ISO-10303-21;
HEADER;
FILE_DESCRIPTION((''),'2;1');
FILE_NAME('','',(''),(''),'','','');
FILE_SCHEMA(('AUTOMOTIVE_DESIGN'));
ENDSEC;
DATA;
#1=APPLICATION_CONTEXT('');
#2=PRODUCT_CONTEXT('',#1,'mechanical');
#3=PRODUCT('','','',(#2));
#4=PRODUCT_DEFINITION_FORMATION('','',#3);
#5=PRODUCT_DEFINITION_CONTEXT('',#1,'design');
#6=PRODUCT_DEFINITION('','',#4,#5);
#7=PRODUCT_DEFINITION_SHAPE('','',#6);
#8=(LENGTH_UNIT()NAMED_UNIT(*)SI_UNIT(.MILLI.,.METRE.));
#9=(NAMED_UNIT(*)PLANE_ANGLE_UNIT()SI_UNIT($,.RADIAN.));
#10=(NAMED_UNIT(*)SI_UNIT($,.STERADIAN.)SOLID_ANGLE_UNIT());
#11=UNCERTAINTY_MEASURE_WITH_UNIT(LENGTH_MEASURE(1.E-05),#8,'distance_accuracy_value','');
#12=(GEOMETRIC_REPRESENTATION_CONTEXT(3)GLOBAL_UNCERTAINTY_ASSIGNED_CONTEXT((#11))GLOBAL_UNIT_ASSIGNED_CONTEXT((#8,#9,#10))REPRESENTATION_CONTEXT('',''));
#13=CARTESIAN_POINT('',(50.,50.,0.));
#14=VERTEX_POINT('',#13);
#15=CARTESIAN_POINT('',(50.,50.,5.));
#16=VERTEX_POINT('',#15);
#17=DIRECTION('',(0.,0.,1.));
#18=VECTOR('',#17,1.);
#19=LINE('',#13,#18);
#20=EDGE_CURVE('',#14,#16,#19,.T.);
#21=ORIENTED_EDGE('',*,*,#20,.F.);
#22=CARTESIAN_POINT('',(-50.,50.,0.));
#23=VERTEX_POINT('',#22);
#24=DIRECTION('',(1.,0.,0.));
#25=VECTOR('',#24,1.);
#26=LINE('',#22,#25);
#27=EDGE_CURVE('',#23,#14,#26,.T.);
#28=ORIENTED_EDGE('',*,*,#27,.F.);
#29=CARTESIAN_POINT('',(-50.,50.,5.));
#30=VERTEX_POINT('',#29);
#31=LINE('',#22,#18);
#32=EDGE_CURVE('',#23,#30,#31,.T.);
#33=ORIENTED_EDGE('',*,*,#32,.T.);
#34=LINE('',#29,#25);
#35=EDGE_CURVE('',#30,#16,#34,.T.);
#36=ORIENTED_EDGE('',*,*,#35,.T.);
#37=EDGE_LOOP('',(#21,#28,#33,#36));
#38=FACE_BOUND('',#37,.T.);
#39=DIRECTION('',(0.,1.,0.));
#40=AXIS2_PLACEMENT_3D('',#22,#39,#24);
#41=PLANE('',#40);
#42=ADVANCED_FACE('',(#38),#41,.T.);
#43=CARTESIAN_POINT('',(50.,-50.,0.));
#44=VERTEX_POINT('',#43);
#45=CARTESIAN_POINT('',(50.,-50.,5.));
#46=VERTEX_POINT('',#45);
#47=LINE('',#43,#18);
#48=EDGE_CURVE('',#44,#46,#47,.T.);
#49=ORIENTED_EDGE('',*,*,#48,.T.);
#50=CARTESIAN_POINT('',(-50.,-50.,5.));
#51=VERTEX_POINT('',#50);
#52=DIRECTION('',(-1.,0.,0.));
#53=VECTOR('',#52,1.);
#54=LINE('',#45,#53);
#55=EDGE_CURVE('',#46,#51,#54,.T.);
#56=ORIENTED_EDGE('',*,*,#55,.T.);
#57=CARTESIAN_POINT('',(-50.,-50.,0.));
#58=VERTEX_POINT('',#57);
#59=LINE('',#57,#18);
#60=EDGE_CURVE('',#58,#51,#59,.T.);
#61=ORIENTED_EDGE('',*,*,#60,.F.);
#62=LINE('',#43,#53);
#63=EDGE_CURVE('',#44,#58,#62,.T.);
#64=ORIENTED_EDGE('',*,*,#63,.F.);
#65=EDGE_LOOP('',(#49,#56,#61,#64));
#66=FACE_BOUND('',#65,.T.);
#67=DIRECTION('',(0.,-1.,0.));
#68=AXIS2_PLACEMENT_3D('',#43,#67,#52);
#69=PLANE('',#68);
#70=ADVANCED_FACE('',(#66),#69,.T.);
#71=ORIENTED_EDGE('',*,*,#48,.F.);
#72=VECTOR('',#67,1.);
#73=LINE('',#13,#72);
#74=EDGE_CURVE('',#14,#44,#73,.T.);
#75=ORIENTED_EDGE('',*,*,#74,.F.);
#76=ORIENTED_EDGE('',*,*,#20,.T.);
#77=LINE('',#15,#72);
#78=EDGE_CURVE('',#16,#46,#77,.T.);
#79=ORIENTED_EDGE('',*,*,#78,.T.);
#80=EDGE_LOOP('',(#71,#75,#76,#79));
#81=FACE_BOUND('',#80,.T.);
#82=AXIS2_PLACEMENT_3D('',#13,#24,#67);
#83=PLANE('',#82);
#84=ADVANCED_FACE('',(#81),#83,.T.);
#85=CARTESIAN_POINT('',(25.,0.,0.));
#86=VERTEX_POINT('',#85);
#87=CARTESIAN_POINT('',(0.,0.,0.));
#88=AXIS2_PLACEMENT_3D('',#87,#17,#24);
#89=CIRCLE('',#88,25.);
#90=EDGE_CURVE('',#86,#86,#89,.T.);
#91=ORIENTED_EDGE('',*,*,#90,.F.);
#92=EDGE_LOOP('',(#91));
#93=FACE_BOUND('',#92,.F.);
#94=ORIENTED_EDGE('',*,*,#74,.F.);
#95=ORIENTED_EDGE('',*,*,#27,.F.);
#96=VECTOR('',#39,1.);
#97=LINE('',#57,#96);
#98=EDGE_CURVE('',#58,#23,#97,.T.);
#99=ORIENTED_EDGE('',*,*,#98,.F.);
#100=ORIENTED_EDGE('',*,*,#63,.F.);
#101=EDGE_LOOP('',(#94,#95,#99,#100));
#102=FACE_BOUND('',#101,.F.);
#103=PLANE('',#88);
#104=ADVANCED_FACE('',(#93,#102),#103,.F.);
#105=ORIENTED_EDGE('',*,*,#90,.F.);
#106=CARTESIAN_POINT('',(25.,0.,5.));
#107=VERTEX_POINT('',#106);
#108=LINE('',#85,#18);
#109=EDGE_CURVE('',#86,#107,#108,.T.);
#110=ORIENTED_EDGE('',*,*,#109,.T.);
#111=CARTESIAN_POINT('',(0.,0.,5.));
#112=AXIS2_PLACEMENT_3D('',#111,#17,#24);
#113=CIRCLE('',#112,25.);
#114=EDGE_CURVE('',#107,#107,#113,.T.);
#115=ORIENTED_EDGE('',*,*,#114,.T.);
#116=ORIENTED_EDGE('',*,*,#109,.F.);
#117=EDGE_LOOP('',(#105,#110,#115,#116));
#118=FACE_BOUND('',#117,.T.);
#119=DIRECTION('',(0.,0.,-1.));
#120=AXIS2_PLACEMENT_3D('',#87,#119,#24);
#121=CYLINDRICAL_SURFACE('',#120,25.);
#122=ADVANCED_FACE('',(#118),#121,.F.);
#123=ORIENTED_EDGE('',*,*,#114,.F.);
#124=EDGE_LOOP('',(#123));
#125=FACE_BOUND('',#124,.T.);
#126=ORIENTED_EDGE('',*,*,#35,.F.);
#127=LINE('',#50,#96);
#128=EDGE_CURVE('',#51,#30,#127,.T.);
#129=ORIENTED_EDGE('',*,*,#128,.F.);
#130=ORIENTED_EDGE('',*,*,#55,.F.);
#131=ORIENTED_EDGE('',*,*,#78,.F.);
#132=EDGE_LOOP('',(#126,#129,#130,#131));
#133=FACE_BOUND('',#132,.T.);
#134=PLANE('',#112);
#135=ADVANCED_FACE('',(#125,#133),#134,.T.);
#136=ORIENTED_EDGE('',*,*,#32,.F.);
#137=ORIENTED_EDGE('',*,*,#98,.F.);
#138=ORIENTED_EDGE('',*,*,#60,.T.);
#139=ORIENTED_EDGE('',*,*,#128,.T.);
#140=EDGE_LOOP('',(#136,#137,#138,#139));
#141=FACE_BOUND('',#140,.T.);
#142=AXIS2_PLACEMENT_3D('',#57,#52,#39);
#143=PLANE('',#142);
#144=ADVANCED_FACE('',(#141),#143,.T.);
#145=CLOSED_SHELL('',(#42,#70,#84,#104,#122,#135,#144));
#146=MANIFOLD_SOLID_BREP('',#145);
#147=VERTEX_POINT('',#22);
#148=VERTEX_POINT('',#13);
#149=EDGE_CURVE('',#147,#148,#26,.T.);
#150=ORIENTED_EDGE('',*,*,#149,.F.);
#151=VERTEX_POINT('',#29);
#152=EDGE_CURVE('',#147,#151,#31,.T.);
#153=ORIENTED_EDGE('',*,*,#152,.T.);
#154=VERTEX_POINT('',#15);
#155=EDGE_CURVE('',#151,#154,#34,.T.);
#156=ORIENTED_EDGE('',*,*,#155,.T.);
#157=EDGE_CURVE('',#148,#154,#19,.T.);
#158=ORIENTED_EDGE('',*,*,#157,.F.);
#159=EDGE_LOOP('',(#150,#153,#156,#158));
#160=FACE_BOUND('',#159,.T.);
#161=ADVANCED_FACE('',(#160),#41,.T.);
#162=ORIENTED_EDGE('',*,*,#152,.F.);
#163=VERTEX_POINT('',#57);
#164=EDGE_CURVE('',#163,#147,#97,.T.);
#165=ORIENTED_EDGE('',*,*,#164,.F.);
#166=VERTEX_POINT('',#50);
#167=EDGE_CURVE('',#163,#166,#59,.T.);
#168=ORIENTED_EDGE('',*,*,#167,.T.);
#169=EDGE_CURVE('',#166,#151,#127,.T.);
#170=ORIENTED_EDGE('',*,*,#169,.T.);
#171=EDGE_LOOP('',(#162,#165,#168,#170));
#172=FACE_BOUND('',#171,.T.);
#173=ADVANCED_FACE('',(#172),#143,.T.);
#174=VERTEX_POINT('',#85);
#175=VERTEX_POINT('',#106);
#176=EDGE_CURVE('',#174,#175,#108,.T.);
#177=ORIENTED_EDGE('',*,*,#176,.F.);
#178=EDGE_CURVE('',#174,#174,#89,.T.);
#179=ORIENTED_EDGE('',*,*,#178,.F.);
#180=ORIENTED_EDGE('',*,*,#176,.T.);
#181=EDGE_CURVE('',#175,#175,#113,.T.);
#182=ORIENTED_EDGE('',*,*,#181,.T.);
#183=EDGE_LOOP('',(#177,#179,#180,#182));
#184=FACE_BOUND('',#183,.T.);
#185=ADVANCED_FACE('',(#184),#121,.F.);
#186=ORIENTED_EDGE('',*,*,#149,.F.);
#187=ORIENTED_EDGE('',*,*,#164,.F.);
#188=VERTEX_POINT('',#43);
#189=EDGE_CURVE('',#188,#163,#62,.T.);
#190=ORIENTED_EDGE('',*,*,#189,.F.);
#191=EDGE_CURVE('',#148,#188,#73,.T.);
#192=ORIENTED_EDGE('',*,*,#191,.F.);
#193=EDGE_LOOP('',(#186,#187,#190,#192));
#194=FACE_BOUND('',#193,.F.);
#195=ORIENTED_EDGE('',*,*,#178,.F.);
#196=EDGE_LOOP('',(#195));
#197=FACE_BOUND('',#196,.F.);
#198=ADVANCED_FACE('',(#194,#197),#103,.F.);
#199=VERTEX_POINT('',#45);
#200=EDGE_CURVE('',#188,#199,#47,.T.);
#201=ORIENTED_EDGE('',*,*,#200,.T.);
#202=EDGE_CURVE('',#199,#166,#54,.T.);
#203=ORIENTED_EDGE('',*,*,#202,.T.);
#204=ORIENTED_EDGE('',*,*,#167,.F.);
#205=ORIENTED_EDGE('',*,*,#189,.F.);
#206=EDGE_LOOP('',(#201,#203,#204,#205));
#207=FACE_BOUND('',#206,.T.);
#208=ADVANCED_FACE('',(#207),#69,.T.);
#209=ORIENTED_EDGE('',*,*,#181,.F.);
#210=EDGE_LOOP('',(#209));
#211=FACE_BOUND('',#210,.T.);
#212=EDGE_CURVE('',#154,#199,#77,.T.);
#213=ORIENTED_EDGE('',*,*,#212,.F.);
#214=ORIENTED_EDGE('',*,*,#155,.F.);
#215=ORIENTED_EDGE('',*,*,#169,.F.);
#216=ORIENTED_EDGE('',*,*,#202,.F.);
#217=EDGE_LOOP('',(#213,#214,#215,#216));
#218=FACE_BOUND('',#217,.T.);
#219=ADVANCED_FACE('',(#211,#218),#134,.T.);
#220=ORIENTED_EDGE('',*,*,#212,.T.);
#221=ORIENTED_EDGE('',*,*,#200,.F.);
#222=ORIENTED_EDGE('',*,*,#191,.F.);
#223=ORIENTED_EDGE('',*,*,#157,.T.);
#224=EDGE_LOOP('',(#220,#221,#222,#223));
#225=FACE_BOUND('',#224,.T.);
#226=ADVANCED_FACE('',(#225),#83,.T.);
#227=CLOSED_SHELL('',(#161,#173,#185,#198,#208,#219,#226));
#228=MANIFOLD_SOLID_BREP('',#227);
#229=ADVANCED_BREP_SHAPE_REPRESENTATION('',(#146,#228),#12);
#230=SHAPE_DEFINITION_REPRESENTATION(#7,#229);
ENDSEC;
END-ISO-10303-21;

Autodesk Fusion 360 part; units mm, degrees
sketch "Sketch1" plane through (0, 0, 0) normal (0, 0, 1) x (1, 0, 0) in component "square washer"
  line L0 (-50, 50) -> (50, 50)
  line L1 (50, 50) -> (50, -50)
  line L2 (50, -50) -> (-50, -50)
  line L3 (-50, -50) -> (-50, 50)
  line L4 (-50, 50) -> (50, -50) construction
  line L5 (50, 50) -> (-50, -50) construction
  circle A0 centre (0, 0) radius 25
  dimension "d1" = 100
  dimension "d2" = 50
extrude "Extrude1" add sketch "Sketch1" along normal blind 5 makes body 1 in component "square washer"
sketch "Sketch1 (2)" plane through (0, 0, 0) normal (0, 0, 1) x (1, 0, 0) in component "square washer (1)"
  line L0 (-50, 50) -> (50, 50)
  line L1 (50, 50) -> (50, -50)
  line L2 (50, -50) -> (-50, -50)
  line L3 (-50, -50) -> (-50, 50)
  line L4 (-50, 50) -> (50, -50) construction
  line L5 (50, 50) -> (-50, -50) construction
  circle A0 centre (0, 0) radius 25
  dimension "d1_1" = 100
  dimension "d2_1" = 50
extrude "Extrude1'" add sketch "Sketch1 (2)" along normal blind 5 separate body makes body 2 in component "square washer (1)"
component "square washer" placed x (1, 0, 0) y (0, 1, 0) z (0, 0, 1) at (0, 0, 0)
component "square washer (1)" placed x (1, 0, 0) y (0, 1, 0) z (0, 0, 1) at (0, 0, 0)
equation "d2 = d1 / 2"
equation "d2_1 = d1_1 / 2"
